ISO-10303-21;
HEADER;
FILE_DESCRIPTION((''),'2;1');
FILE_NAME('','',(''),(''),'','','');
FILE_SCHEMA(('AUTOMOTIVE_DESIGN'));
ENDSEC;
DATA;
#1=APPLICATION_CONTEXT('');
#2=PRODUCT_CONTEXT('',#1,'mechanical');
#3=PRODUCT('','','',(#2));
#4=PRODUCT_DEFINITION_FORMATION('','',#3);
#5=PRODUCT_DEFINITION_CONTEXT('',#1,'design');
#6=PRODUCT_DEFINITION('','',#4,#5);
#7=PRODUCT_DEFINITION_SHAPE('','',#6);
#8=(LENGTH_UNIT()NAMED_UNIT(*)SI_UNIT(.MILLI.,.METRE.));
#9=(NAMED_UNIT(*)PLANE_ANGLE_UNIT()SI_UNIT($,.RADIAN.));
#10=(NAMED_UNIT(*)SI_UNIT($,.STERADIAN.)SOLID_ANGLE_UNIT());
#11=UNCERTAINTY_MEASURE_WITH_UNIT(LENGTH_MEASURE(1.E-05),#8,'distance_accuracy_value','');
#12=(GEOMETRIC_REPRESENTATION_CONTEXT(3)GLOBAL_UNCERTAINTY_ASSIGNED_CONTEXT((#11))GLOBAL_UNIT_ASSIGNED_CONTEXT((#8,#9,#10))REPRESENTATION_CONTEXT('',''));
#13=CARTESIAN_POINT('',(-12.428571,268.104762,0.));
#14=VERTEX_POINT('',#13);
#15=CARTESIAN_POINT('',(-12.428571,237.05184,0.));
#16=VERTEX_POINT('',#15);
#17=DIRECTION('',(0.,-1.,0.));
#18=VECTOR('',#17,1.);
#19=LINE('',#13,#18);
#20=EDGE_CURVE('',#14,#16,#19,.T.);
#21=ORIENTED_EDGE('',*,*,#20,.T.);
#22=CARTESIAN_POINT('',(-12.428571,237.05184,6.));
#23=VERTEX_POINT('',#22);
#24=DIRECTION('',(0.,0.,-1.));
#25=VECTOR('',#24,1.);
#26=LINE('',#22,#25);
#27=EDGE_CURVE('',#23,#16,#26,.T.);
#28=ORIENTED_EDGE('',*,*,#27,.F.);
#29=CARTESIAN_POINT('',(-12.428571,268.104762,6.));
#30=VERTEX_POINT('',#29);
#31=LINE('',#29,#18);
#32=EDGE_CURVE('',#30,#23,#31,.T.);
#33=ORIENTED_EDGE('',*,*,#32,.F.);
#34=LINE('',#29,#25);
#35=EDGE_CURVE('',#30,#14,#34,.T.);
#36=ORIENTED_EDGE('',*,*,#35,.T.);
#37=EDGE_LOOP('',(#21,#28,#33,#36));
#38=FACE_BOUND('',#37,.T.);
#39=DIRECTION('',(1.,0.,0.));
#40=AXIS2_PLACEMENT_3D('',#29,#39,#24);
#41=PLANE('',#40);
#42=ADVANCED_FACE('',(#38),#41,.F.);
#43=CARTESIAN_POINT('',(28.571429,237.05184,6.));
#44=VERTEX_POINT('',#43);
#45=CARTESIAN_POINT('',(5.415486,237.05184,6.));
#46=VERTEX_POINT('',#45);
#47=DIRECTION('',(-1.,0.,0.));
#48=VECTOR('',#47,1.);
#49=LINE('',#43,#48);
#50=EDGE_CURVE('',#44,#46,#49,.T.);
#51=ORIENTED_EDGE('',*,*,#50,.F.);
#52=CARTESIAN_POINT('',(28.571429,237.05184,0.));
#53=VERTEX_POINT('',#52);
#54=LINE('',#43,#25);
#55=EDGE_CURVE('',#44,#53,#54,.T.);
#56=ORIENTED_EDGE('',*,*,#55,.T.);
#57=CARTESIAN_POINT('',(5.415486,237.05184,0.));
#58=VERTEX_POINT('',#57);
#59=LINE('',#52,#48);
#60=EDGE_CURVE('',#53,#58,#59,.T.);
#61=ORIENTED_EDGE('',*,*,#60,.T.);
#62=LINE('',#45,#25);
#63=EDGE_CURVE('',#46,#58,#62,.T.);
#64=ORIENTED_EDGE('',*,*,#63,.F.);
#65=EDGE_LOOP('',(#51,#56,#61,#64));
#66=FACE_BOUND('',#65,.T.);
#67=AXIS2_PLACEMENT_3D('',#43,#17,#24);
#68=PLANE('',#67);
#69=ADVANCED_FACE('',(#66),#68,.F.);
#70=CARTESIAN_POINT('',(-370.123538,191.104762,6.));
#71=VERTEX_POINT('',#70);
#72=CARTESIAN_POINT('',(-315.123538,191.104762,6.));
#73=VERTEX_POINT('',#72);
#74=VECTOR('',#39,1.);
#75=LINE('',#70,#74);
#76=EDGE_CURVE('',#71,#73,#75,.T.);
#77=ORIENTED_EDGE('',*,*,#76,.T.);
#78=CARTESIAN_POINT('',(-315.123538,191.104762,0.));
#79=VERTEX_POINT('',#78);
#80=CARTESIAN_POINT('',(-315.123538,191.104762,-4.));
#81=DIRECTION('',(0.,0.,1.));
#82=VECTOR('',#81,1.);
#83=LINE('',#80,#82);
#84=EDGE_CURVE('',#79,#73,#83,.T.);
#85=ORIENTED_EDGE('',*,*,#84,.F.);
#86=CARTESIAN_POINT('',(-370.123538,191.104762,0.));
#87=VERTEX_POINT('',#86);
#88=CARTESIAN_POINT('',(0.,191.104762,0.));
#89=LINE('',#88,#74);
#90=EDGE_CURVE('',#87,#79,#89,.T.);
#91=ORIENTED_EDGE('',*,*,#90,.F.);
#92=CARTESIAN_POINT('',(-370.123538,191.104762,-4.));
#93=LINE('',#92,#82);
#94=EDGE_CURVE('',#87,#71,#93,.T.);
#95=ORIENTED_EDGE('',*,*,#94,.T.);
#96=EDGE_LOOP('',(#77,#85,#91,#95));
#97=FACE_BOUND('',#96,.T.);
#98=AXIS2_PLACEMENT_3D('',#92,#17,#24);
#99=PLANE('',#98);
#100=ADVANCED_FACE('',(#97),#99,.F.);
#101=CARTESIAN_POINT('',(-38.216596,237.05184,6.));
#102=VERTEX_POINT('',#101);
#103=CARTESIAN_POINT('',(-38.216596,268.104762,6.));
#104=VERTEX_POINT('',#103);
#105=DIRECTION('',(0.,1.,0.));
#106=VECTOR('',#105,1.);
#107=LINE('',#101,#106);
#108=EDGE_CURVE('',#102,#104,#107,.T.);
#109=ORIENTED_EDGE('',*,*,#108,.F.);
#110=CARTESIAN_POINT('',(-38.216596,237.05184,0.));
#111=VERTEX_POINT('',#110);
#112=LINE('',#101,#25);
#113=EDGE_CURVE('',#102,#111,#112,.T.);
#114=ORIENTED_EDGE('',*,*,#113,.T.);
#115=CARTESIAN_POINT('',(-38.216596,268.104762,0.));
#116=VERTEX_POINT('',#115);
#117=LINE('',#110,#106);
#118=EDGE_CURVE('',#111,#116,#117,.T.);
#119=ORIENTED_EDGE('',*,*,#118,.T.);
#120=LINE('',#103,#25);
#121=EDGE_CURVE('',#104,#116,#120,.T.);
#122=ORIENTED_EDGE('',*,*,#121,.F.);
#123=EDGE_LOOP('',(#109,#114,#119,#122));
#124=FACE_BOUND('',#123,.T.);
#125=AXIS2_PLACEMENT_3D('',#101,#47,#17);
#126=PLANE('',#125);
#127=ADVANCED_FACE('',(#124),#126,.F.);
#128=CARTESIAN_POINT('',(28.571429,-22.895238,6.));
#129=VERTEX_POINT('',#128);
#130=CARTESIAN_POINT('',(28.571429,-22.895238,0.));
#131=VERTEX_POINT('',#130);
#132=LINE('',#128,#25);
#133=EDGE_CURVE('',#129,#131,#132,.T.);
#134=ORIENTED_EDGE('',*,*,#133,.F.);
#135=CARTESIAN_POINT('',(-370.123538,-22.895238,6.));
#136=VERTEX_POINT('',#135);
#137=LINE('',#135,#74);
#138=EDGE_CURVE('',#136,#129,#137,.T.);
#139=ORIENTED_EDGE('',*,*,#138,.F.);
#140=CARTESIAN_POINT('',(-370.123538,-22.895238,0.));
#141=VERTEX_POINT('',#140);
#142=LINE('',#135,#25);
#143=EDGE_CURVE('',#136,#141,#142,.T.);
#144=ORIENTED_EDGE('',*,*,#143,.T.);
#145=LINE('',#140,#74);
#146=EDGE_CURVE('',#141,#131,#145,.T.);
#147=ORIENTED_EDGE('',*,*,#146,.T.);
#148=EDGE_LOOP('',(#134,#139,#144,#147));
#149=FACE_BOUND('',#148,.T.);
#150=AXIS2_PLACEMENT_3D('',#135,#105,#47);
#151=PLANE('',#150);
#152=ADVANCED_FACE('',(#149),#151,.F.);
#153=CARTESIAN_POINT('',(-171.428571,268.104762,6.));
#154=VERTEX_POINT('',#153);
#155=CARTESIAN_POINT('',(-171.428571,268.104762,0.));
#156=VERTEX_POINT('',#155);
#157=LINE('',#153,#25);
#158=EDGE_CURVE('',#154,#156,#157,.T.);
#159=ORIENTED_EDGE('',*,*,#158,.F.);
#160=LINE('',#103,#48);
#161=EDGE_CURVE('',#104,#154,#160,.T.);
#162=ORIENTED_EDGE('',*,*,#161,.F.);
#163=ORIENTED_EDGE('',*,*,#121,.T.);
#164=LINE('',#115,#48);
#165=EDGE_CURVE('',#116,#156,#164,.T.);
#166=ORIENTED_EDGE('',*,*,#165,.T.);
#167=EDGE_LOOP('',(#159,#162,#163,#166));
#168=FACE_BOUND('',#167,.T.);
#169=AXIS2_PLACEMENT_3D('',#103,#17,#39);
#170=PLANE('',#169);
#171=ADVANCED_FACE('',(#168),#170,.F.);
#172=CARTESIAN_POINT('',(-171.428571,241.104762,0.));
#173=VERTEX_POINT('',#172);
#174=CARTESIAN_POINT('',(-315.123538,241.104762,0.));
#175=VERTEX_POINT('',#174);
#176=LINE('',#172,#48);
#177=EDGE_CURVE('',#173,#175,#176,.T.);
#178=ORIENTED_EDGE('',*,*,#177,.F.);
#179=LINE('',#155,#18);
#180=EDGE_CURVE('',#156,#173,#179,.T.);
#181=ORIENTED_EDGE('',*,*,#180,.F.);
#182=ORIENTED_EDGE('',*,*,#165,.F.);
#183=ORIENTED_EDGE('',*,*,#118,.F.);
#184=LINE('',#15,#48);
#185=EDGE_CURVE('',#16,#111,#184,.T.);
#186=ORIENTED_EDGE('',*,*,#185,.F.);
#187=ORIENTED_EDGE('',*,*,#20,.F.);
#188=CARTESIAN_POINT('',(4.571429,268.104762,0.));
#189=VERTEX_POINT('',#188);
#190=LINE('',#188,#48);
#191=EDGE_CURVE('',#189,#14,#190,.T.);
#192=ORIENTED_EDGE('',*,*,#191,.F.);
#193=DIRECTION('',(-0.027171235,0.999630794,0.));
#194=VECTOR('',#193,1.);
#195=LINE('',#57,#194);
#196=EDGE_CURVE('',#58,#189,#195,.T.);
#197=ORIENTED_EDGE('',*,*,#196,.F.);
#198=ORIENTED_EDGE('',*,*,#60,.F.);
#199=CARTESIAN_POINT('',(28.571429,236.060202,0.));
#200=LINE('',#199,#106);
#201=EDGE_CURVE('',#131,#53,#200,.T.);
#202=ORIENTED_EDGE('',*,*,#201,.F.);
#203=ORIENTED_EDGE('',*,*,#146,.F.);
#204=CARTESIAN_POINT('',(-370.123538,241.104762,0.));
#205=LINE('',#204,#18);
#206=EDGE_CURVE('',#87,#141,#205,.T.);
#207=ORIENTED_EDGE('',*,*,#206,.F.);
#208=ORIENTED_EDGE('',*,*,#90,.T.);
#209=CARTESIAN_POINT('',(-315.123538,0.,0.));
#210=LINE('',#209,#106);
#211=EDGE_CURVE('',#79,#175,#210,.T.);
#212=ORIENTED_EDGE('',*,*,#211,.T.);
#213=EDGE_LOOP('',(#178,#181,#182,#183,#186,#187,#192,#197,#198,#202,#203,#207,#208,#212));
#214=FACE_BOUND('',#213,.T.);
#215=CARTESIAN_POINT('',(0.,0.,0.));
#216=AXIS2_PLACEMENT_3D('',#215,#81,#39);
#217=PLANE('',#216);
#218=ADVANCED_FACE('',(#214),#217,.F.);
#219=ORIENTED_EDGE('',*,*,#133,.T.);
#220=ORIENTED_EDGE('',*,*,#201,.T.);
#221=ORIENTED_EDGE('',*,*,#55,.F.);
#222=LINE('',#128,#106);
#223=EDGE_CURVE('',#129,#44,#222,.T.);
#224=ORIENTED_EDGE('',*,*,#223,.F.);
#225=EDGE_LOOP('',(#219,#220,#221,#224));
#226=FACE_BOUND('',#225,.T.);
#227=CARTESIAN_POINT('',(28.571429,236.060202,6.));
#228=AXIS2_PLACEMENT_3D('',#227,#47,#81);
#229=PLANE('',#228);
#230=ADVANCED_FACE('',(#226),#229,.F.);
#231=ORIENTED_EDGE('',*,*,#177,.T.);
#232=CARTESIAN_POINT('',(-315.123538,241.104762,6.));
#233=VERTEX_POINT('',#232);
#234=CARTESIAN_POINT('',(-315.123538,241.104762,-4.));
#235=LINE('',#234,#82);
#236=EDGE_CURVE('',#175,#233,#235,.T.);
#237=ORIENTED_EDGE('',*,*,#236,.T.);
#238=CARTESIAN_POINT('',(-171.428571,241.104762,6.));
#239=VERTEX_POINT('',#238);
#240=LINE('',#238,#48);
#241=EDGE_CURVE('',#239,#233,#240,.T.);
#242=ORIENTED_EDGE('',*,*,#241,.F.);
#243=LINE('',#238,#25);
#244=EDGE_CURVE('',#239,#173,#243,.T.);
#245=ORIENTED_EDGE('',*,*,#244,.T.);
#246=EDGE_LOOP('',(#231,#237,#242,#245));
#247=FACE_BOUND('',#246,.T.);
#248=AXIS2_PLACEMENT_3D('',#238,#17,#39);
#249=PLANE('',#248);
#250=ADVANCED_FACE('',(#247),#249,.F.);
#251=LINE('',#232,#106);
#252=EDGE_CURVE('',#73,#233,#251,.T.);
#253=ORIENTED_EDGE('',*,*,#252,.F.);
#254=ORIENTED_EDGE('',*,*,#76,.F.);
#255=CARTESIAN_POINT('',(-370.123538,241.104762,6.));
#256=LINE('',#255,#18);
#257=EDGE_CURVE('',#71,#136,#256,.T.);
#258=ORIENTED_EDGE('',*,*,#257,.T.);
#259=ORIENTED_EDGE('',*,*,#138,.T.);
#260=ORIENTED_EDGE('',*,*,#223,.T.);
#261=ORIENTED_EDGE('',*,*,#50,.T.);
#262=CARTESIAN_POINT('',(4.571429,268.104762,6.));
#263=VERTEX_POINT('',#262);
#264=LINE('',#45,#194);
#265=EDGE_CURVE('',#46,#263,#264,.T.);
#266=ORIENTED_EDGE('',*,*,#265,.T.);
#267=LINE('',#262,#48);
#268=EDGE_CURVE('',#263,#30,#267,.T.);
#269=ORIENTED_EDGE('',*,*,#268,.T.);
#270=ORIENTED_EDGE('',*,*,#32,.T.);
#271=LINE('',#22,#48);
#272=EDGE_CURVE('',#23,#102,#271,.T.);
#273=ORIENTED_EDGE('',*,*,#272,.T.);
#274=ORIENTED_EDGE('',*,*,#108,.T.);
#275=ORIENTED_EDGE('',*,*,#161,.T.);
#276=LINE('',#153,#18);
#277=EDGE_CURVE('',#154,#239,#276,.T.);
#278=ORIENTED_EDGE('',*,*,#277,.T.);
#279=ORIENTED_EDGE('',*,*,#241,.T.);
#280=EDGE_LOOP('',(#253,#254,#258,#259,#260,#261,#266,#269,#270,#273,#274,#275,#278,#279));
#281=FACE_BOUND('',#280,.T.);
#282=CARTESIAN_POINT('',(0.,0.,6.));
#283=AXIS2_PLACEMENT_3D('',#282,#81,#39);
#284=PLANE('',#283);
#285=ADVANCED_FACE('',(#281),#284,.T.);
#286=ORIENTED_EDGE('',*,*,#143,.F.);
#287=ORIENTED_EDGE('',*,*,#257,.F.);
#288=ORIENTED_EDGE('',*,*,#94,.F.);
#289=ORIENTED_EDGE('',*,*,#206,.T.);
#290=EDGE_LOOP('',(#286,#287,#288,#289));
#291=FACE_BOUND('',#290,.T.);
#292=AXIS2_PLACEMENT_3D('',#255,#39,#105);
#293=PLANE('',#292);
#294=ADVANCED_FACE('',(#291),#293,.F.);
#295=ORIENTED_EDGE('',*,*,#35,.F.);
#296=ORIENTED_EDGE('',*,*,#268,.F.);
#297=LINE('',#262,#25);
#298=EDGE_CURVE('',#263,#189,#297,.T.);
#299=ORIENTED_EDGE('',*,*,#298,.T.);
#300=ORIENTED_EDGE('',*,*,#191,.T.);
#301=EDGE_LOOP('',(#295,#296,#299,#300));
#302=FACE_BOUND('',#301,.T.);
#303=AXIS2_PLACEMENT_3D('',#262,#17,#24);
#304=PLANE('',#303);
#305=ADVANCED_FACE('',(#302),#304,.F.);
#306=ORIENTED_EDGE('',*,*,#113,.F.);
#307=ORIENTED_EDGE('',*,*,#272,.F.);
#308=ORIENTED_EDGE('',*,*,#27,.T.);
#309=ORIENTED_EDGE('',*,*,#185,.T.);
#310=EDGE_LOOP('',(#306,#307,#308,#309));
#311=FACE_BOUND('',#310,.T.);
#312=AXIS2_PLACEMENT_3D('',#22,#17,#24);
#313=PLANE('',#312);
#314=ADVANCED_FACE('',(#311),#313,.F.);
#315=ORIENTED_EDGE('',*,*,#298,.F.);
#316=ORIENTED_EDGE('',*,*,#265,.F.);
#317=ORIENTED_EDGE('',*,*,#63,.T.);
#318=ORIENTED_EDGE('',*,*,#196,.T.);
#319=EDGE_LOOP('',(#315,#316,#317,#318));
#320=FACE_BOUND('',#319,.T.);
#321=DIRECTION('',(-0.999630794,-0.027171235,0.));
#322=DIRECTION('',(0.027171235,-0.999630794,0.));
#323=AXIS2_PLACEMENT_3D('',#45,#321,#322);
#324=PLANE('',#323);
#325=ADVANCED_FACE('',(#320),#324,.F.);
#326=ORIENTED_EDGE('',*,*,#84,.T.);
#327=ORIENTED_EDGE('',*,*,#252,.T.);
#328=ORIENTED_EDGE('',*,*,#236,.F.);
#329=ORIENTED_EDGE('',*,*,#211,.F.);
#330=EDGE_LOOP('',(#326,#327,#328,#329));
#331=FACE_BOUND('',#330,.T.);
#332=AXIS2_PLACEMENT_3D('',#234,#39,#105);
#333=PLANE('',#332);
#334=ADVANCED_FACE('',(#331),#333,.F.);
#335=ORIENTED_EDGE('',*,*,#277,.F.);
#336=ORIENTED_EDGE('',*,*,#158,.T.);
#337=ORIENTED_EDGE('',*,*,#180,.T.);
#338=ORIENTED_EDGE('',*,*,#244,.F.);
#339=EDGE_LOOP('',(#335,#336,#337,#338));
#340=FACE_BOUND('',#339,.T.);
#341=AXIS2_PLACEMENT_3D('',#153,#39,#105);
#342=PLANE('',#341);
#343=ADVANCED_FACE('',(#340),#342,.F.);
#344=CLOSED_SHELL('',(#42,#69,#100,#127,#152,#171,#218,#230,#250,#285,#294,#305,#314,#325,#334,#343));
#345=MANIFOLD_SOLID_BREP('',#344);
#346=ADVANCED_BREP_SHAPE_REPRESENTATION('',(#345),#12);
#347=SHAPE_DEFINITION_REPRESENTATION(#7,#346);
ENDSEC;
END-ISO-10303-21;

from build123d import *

# Parameters (mm, degrees)
BOSS_EXTRUDE1_DEPTH = 6
SKETCH2_W           = 55
SKETCH2_H           = 50
CUT_EXTRUDE1_DEPTH  = 10


with BuildPart() as part:
    # Sketch1 → Boss-Extrude1 (new body)
    with BuildSketch(Plane.XY):
        Polygon((28.571428571, 236.060202245), (28.571428571, 237.05184048), (5.415486436, 237.05184048), (4.571428571, 268.104761905), (-12.428571429, 268.104761905), (-12.428571429, 237.05184048), (-38.216595912, 237.05184048), (-38.216595912, 268.104761905), (-171.428571429, 268.104761905), (-171.428571429, 241.104761905), (-370.123537574, 241.104761905), (-370.123537574, -22.895238095), (28.571428571, -22.895238095), align=None)
    extrude(amount=BOSS_EXTRUDE1_DEPTH)

    # Sketch2 → Cut-Extrude1 (cut)
    with BuildSketch(Plane.XY.offset(6)):
        with Locations((-342.623537574, 216.104761905)):
            Rectangle(SKETCH2_W, SKETCH2_H)
    extrude(amount=-CUT_EXTRUDE1_DEPTH, mode=Mode.SUBTRACT)


solid = part.part
